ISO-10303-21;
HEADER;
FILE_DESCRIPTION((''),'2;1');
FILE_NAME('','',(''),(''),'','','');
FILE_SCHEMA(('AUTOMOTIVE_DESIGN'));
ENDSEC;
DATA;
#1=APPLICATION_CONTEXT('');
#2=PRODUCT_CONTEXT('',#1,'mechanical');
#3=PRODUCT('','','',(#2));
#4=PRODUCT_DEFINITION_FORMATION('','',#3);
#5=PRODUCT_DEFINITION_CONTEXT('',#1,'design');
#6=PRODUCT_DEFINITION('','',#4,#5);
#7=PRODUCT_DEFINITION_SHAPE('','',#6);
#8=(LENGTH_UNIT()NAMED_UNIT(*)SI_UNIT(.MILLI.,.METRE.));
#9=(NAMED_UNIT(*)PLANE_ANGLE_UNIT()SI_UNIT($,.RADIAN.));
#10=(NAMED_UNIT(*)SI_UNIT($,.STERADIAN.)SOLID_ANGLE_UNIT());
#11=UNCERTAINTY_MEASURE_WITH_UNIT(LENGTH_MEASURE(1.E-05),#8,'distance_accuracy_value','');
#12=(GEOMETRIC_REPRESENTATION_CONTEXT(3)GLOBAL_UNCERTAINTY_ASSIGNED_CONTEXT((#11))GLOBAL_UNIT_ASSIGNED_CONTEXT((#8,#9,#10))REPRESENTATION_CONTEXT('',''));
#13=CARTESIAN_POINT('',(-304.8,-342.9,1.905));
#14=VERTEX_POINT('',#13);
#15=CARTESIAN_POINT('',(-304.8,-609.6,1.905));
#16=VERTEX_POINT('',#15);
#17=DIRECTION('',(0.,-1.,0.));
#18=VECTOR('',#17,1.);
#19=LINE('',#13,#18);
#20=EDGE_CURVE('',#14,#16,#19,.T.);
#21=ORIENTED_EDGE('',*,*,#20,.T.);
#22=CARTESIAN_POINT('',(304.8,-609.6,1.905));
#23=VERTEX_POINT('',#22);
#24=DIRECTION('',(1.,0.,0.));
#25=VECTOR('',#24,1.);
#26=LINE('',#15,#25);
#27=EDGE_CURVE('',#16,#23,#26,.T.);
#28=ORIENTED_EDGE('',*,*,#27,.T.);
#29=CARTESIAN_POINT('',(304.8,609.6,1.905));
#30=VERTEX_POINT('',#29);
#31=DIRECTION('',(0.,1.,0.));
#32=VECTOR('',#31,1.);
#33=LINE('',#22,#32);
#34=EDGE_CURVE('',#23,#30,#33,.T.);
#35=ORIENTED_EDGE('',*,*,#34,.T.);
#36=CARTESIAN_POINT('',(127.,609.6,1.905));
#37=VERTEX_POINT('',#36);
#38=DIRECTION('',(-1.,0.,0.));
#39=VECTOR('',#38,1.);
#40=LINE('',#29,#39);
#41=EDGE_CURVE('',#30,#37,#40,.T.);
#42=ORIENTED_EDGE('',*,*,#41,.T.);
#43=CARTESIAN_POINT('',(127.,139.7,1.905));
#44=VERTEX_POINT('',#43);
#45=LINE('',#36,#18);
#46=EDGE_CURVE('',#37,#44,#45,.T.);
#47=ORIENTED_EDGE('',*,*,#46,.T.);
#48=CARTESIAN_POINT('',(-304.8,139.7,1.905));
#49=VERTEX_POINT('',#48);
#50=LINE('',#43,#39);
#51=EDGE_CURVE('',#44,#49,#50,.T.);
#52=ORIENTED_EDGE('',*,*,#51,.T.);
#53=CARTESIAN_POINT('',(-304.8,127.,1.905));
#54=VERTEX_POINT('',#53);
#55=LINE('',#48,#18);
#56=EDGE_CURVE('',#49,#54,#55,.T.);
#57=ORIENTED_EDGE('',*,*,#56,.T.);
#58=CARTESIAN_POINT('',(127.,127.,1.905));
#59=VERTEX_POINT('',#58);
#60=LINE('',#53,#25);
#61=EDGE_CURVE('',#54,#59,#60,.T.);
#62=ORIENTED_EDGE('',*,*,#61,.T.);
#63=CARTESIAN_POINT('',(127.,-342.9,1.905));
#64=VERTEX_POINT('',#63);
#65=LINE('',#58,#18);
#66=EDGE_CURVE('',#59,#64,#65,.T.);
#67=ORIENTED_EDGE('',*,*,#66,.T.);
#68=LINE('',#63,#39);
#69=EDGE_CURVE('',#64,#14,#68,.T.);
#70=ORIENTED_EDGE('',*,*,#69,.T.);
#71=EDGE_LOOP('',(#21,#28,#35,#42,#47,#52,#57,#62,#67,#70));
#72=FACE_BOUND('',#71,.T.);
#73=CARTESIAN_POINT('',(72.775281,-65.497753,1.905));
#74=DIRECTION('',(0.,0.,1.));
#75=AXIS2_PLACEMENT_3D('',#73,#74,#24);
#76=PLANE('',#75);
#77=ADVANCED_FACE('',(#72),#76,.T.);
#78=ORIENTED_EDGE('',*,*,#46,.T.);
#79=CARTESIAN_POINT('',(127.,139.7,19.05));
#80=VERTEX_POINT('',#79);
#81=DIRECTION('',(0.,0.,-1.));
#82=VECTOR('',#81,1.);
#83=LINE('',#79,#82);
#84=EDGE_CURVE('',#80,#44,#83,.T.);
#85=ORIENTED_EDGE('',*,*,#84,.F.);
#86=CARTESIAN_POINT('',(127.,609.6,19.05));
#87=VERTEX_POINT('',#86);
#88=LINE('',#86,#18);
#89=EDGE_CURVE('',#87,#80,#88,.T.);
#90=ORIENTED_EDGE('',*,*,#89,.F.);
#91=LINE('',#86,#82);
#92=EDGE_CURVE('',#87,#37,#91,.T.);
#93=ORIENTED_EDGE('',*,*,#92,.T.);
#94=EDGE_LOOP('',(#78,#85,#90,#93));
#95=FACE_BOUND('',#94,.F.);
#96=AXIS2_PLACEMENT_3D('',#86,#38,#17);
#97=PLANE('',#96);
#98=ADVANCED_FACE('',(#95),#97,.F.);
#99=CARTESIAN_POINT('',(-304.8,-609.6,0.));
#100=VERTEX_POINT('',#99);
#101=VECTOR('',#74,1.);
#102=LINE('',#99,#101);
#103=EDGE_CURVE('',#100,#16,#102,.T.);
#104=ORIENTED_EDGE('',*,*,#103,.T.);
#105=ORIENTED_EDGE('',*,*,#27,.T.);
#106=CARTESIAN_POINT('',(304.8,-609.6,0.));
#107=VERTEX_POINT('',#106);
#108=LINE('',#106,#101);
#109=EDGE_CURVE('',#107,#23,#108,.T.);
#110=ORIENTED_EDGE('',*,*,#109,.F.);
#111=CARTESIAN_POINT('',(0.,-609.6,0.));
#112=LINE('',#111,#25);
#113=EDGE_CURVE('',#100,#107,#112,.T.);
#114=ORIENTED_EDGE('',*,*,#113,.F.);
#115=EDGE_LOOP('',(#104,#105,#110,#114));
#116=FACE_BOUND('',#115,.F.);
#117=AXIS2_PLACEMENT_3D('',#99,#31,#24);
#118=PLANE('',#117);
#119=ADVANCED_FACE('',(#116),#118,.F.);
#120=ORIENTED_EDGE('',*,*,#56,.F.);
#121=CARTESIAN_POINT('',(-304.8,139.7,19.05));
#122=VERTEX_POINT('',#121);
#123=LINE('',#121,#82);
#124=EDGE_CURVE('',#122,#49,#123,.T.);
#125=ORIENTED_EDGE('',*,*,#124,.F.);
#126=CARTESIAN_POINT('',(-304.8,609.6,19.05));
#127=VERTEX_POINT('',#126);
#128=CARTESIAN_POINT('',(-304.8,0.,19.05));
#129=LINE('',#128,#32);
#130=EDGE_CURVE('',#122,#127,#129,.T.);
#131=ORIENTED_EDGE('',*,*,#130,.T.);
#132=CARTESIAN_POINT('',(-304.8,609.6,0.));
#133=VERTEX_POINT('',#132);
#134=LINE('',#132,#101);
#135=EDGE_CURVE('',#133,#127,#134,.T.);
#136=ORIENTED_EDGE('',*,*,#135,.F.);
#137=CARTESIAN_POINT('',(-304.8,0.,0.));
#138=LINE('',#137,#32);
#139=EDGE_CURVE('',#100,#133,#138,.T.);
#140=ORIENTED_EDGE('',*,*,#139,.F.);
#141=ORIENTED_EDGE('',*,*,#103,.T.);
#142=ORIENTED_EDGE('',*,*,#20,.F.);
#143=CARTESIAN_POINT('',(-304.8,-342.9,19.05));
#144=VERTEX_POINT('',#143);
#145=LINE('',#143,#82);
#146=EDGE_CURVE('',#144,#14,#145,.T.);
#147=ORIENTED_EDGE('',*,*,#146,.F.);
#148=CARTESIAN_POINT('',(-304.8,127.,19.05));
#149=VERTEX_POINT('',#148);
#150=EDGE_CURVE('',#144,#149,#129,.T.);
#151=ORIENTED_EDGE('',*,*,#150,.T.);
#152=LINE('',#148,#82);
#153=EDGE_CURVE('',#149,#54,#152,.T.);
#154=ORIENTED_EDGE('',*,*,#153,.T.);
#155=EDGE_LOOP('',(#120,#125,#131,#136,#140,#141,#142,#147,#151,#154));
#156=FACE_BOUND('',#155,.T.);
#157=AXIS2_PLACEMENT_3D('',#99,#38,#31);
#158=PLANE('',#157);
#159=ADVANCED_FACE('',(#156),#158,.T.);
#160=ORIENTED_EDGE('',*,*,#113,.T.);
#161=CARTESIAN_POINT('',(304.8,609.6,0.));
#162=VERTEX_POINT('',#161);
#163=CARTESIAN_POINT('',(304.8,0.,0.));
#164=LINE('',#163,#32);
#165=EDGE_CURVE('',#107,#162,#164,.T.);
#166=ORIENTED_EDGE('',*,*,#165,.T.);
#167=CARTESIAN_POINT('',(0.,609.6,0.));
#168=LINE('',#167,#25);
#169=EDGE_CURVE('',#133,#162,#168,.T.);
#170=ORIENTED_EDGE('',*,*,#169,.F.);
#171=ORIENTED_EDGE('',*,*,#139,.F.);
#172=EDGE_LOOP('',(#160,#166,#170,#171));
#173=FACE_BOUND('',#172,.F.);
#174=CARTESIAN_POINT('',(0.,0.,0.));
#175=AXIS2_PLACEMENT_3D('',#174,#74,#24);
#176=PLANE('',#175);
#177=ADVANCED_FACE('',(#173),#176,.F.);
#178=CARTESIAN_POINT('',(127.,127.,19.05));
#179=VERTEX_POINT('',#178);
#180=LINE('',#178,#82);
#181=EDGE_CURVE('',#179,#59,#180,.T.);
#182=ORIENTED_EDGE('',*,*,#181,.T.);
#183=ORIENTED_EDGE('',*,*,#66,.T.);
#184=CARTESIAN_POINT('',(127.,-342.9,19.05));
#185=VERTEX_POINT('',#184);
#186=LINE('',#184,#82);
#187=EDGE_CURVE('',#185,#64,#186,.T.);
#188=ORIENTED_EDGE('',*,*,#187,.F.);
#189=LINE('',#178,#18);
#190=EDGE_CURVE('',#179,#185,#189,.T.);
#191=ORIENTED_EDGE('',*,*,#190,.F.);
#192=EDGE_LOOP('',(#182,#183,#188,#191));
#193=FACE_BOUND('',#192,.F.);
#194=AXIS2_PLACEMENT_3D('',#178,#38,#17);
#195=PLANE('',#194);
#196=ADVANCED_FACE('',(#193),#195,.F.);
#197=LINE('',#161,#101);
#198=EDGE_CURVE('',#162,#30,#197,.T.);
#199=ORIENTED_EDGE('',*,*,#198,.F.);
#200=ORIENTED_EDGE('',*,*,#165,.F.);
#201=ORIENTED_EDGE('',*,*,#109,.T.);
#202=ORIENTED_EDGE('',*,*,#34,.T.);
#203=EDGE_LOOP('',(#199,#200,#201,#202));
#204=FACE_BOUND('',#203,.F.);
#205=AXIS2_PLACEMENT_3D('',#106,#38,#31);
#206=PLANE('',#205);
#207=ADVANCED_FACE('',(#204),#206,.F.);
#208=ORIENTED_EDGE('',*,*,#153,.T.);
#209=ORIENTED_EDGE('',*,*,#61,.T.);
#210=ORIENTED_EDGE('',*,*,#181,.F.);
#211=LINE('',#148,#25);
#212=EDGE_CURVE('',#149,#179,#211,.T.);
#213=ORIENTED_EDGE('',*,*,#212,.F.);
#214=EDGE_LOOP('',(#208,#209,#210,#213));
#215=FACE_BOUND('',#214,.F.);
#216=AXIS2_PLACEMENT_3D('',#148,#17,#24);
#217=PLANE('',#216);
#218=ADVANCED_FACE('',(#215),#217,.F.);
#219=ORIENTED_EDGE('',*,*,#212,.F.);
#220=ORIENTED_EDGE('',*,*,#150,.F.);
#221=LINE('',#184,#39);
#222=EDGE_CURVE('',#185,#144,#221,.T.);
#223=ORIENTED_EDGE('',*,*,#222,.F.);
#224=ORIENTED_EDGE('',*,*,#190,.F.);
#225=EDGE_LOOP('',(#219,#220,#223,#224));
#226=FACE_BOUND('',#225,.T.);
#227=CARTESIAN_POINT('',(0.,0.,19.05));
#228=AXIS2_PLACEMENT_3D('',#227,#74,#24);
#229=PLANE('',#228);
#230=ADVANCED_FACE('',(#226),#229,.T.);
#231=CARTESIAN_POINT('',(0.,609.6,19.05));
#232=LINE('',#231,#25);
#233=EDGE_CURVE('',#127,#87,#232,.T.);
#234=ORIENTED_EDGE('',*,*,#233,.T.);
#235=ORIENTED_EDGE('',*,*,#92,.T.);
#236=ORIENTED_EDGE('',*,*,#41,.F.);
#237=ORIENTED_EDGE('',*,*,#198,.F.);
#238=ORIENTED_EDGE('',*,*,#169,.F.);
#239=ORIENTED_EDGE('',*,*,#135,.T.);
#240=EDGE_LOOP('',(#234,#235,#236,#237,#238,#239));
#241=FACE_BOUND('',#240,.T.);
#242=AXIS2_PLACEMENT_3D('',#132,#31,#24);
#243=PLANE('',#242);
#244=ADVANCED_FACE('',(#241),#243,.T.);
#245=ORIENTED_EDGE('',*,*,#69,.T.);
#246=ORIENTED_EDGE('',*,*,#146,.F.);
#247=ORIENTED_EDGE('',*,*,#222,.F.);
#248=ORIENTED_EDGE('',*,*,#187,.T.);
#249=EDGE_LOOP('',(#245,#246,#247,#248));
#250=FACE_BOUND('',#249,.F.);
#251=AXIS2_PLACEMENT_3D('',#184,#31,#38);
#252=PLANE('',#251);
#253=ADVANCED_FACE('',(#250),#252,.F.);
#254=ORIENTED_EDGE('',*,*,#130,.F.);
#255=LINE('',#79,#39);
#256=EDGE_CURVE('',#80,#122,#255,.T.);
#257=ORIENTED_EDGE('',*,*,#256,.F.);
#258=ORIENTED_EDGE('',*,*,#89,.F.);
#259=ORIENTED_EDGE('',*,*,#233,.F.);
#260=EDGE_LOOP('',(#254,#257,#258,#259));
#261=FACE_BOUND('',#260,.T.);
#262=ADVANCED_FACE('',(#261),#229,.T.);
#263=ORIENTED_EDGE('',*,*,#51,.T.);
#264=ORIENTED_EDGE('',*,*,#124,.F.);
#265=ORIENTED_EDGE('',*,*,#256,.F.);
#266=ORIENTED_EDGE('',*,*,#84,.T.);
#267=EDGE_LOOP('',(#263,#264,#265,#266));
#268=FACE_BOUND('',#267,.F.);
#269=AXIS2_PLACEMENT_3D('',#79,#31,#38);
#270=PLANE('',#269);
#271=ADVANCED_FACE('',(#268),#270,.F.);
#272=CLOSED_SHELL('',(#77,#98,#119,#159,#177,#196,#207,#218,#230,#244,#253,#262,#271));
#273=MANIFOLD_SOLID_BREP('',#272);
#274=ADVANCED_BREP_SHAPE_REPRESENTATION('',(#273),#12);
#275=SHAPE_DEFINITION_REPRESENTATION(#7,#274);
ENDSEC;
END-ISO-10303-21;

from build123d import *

# Parameters (mm, degrees)
F0_W     = 609.6
F0_H     = 1219.2
F1_DEPTH = 19.05
F3_DEPTH = 17.145


with BuildPart() as f1:
    # F0 (on Top) → F1 (new body)
    with BuildSketch(Plane.XY):
        Rectangle(F0_W, F0_H)
    extrude(amount=F1_DEPTH)

    # F2 (on face) → F3 (cut)
    with BuildSketch(Plane.XY.offset(19.05)):
        Polygon((304.8, 609.6), (127, 609.6), (127, 139.7), (-304.8, 139.7), (-304.8, 127), (127, 127), (127, -342.9), (-304.8, -342.9), (-304.8, -609.6), (304.8, -609.6), align=None)
    extrude(amount=-F3_DEPTH, mode=Mode.SUBTRACT)


solid = f1.part
